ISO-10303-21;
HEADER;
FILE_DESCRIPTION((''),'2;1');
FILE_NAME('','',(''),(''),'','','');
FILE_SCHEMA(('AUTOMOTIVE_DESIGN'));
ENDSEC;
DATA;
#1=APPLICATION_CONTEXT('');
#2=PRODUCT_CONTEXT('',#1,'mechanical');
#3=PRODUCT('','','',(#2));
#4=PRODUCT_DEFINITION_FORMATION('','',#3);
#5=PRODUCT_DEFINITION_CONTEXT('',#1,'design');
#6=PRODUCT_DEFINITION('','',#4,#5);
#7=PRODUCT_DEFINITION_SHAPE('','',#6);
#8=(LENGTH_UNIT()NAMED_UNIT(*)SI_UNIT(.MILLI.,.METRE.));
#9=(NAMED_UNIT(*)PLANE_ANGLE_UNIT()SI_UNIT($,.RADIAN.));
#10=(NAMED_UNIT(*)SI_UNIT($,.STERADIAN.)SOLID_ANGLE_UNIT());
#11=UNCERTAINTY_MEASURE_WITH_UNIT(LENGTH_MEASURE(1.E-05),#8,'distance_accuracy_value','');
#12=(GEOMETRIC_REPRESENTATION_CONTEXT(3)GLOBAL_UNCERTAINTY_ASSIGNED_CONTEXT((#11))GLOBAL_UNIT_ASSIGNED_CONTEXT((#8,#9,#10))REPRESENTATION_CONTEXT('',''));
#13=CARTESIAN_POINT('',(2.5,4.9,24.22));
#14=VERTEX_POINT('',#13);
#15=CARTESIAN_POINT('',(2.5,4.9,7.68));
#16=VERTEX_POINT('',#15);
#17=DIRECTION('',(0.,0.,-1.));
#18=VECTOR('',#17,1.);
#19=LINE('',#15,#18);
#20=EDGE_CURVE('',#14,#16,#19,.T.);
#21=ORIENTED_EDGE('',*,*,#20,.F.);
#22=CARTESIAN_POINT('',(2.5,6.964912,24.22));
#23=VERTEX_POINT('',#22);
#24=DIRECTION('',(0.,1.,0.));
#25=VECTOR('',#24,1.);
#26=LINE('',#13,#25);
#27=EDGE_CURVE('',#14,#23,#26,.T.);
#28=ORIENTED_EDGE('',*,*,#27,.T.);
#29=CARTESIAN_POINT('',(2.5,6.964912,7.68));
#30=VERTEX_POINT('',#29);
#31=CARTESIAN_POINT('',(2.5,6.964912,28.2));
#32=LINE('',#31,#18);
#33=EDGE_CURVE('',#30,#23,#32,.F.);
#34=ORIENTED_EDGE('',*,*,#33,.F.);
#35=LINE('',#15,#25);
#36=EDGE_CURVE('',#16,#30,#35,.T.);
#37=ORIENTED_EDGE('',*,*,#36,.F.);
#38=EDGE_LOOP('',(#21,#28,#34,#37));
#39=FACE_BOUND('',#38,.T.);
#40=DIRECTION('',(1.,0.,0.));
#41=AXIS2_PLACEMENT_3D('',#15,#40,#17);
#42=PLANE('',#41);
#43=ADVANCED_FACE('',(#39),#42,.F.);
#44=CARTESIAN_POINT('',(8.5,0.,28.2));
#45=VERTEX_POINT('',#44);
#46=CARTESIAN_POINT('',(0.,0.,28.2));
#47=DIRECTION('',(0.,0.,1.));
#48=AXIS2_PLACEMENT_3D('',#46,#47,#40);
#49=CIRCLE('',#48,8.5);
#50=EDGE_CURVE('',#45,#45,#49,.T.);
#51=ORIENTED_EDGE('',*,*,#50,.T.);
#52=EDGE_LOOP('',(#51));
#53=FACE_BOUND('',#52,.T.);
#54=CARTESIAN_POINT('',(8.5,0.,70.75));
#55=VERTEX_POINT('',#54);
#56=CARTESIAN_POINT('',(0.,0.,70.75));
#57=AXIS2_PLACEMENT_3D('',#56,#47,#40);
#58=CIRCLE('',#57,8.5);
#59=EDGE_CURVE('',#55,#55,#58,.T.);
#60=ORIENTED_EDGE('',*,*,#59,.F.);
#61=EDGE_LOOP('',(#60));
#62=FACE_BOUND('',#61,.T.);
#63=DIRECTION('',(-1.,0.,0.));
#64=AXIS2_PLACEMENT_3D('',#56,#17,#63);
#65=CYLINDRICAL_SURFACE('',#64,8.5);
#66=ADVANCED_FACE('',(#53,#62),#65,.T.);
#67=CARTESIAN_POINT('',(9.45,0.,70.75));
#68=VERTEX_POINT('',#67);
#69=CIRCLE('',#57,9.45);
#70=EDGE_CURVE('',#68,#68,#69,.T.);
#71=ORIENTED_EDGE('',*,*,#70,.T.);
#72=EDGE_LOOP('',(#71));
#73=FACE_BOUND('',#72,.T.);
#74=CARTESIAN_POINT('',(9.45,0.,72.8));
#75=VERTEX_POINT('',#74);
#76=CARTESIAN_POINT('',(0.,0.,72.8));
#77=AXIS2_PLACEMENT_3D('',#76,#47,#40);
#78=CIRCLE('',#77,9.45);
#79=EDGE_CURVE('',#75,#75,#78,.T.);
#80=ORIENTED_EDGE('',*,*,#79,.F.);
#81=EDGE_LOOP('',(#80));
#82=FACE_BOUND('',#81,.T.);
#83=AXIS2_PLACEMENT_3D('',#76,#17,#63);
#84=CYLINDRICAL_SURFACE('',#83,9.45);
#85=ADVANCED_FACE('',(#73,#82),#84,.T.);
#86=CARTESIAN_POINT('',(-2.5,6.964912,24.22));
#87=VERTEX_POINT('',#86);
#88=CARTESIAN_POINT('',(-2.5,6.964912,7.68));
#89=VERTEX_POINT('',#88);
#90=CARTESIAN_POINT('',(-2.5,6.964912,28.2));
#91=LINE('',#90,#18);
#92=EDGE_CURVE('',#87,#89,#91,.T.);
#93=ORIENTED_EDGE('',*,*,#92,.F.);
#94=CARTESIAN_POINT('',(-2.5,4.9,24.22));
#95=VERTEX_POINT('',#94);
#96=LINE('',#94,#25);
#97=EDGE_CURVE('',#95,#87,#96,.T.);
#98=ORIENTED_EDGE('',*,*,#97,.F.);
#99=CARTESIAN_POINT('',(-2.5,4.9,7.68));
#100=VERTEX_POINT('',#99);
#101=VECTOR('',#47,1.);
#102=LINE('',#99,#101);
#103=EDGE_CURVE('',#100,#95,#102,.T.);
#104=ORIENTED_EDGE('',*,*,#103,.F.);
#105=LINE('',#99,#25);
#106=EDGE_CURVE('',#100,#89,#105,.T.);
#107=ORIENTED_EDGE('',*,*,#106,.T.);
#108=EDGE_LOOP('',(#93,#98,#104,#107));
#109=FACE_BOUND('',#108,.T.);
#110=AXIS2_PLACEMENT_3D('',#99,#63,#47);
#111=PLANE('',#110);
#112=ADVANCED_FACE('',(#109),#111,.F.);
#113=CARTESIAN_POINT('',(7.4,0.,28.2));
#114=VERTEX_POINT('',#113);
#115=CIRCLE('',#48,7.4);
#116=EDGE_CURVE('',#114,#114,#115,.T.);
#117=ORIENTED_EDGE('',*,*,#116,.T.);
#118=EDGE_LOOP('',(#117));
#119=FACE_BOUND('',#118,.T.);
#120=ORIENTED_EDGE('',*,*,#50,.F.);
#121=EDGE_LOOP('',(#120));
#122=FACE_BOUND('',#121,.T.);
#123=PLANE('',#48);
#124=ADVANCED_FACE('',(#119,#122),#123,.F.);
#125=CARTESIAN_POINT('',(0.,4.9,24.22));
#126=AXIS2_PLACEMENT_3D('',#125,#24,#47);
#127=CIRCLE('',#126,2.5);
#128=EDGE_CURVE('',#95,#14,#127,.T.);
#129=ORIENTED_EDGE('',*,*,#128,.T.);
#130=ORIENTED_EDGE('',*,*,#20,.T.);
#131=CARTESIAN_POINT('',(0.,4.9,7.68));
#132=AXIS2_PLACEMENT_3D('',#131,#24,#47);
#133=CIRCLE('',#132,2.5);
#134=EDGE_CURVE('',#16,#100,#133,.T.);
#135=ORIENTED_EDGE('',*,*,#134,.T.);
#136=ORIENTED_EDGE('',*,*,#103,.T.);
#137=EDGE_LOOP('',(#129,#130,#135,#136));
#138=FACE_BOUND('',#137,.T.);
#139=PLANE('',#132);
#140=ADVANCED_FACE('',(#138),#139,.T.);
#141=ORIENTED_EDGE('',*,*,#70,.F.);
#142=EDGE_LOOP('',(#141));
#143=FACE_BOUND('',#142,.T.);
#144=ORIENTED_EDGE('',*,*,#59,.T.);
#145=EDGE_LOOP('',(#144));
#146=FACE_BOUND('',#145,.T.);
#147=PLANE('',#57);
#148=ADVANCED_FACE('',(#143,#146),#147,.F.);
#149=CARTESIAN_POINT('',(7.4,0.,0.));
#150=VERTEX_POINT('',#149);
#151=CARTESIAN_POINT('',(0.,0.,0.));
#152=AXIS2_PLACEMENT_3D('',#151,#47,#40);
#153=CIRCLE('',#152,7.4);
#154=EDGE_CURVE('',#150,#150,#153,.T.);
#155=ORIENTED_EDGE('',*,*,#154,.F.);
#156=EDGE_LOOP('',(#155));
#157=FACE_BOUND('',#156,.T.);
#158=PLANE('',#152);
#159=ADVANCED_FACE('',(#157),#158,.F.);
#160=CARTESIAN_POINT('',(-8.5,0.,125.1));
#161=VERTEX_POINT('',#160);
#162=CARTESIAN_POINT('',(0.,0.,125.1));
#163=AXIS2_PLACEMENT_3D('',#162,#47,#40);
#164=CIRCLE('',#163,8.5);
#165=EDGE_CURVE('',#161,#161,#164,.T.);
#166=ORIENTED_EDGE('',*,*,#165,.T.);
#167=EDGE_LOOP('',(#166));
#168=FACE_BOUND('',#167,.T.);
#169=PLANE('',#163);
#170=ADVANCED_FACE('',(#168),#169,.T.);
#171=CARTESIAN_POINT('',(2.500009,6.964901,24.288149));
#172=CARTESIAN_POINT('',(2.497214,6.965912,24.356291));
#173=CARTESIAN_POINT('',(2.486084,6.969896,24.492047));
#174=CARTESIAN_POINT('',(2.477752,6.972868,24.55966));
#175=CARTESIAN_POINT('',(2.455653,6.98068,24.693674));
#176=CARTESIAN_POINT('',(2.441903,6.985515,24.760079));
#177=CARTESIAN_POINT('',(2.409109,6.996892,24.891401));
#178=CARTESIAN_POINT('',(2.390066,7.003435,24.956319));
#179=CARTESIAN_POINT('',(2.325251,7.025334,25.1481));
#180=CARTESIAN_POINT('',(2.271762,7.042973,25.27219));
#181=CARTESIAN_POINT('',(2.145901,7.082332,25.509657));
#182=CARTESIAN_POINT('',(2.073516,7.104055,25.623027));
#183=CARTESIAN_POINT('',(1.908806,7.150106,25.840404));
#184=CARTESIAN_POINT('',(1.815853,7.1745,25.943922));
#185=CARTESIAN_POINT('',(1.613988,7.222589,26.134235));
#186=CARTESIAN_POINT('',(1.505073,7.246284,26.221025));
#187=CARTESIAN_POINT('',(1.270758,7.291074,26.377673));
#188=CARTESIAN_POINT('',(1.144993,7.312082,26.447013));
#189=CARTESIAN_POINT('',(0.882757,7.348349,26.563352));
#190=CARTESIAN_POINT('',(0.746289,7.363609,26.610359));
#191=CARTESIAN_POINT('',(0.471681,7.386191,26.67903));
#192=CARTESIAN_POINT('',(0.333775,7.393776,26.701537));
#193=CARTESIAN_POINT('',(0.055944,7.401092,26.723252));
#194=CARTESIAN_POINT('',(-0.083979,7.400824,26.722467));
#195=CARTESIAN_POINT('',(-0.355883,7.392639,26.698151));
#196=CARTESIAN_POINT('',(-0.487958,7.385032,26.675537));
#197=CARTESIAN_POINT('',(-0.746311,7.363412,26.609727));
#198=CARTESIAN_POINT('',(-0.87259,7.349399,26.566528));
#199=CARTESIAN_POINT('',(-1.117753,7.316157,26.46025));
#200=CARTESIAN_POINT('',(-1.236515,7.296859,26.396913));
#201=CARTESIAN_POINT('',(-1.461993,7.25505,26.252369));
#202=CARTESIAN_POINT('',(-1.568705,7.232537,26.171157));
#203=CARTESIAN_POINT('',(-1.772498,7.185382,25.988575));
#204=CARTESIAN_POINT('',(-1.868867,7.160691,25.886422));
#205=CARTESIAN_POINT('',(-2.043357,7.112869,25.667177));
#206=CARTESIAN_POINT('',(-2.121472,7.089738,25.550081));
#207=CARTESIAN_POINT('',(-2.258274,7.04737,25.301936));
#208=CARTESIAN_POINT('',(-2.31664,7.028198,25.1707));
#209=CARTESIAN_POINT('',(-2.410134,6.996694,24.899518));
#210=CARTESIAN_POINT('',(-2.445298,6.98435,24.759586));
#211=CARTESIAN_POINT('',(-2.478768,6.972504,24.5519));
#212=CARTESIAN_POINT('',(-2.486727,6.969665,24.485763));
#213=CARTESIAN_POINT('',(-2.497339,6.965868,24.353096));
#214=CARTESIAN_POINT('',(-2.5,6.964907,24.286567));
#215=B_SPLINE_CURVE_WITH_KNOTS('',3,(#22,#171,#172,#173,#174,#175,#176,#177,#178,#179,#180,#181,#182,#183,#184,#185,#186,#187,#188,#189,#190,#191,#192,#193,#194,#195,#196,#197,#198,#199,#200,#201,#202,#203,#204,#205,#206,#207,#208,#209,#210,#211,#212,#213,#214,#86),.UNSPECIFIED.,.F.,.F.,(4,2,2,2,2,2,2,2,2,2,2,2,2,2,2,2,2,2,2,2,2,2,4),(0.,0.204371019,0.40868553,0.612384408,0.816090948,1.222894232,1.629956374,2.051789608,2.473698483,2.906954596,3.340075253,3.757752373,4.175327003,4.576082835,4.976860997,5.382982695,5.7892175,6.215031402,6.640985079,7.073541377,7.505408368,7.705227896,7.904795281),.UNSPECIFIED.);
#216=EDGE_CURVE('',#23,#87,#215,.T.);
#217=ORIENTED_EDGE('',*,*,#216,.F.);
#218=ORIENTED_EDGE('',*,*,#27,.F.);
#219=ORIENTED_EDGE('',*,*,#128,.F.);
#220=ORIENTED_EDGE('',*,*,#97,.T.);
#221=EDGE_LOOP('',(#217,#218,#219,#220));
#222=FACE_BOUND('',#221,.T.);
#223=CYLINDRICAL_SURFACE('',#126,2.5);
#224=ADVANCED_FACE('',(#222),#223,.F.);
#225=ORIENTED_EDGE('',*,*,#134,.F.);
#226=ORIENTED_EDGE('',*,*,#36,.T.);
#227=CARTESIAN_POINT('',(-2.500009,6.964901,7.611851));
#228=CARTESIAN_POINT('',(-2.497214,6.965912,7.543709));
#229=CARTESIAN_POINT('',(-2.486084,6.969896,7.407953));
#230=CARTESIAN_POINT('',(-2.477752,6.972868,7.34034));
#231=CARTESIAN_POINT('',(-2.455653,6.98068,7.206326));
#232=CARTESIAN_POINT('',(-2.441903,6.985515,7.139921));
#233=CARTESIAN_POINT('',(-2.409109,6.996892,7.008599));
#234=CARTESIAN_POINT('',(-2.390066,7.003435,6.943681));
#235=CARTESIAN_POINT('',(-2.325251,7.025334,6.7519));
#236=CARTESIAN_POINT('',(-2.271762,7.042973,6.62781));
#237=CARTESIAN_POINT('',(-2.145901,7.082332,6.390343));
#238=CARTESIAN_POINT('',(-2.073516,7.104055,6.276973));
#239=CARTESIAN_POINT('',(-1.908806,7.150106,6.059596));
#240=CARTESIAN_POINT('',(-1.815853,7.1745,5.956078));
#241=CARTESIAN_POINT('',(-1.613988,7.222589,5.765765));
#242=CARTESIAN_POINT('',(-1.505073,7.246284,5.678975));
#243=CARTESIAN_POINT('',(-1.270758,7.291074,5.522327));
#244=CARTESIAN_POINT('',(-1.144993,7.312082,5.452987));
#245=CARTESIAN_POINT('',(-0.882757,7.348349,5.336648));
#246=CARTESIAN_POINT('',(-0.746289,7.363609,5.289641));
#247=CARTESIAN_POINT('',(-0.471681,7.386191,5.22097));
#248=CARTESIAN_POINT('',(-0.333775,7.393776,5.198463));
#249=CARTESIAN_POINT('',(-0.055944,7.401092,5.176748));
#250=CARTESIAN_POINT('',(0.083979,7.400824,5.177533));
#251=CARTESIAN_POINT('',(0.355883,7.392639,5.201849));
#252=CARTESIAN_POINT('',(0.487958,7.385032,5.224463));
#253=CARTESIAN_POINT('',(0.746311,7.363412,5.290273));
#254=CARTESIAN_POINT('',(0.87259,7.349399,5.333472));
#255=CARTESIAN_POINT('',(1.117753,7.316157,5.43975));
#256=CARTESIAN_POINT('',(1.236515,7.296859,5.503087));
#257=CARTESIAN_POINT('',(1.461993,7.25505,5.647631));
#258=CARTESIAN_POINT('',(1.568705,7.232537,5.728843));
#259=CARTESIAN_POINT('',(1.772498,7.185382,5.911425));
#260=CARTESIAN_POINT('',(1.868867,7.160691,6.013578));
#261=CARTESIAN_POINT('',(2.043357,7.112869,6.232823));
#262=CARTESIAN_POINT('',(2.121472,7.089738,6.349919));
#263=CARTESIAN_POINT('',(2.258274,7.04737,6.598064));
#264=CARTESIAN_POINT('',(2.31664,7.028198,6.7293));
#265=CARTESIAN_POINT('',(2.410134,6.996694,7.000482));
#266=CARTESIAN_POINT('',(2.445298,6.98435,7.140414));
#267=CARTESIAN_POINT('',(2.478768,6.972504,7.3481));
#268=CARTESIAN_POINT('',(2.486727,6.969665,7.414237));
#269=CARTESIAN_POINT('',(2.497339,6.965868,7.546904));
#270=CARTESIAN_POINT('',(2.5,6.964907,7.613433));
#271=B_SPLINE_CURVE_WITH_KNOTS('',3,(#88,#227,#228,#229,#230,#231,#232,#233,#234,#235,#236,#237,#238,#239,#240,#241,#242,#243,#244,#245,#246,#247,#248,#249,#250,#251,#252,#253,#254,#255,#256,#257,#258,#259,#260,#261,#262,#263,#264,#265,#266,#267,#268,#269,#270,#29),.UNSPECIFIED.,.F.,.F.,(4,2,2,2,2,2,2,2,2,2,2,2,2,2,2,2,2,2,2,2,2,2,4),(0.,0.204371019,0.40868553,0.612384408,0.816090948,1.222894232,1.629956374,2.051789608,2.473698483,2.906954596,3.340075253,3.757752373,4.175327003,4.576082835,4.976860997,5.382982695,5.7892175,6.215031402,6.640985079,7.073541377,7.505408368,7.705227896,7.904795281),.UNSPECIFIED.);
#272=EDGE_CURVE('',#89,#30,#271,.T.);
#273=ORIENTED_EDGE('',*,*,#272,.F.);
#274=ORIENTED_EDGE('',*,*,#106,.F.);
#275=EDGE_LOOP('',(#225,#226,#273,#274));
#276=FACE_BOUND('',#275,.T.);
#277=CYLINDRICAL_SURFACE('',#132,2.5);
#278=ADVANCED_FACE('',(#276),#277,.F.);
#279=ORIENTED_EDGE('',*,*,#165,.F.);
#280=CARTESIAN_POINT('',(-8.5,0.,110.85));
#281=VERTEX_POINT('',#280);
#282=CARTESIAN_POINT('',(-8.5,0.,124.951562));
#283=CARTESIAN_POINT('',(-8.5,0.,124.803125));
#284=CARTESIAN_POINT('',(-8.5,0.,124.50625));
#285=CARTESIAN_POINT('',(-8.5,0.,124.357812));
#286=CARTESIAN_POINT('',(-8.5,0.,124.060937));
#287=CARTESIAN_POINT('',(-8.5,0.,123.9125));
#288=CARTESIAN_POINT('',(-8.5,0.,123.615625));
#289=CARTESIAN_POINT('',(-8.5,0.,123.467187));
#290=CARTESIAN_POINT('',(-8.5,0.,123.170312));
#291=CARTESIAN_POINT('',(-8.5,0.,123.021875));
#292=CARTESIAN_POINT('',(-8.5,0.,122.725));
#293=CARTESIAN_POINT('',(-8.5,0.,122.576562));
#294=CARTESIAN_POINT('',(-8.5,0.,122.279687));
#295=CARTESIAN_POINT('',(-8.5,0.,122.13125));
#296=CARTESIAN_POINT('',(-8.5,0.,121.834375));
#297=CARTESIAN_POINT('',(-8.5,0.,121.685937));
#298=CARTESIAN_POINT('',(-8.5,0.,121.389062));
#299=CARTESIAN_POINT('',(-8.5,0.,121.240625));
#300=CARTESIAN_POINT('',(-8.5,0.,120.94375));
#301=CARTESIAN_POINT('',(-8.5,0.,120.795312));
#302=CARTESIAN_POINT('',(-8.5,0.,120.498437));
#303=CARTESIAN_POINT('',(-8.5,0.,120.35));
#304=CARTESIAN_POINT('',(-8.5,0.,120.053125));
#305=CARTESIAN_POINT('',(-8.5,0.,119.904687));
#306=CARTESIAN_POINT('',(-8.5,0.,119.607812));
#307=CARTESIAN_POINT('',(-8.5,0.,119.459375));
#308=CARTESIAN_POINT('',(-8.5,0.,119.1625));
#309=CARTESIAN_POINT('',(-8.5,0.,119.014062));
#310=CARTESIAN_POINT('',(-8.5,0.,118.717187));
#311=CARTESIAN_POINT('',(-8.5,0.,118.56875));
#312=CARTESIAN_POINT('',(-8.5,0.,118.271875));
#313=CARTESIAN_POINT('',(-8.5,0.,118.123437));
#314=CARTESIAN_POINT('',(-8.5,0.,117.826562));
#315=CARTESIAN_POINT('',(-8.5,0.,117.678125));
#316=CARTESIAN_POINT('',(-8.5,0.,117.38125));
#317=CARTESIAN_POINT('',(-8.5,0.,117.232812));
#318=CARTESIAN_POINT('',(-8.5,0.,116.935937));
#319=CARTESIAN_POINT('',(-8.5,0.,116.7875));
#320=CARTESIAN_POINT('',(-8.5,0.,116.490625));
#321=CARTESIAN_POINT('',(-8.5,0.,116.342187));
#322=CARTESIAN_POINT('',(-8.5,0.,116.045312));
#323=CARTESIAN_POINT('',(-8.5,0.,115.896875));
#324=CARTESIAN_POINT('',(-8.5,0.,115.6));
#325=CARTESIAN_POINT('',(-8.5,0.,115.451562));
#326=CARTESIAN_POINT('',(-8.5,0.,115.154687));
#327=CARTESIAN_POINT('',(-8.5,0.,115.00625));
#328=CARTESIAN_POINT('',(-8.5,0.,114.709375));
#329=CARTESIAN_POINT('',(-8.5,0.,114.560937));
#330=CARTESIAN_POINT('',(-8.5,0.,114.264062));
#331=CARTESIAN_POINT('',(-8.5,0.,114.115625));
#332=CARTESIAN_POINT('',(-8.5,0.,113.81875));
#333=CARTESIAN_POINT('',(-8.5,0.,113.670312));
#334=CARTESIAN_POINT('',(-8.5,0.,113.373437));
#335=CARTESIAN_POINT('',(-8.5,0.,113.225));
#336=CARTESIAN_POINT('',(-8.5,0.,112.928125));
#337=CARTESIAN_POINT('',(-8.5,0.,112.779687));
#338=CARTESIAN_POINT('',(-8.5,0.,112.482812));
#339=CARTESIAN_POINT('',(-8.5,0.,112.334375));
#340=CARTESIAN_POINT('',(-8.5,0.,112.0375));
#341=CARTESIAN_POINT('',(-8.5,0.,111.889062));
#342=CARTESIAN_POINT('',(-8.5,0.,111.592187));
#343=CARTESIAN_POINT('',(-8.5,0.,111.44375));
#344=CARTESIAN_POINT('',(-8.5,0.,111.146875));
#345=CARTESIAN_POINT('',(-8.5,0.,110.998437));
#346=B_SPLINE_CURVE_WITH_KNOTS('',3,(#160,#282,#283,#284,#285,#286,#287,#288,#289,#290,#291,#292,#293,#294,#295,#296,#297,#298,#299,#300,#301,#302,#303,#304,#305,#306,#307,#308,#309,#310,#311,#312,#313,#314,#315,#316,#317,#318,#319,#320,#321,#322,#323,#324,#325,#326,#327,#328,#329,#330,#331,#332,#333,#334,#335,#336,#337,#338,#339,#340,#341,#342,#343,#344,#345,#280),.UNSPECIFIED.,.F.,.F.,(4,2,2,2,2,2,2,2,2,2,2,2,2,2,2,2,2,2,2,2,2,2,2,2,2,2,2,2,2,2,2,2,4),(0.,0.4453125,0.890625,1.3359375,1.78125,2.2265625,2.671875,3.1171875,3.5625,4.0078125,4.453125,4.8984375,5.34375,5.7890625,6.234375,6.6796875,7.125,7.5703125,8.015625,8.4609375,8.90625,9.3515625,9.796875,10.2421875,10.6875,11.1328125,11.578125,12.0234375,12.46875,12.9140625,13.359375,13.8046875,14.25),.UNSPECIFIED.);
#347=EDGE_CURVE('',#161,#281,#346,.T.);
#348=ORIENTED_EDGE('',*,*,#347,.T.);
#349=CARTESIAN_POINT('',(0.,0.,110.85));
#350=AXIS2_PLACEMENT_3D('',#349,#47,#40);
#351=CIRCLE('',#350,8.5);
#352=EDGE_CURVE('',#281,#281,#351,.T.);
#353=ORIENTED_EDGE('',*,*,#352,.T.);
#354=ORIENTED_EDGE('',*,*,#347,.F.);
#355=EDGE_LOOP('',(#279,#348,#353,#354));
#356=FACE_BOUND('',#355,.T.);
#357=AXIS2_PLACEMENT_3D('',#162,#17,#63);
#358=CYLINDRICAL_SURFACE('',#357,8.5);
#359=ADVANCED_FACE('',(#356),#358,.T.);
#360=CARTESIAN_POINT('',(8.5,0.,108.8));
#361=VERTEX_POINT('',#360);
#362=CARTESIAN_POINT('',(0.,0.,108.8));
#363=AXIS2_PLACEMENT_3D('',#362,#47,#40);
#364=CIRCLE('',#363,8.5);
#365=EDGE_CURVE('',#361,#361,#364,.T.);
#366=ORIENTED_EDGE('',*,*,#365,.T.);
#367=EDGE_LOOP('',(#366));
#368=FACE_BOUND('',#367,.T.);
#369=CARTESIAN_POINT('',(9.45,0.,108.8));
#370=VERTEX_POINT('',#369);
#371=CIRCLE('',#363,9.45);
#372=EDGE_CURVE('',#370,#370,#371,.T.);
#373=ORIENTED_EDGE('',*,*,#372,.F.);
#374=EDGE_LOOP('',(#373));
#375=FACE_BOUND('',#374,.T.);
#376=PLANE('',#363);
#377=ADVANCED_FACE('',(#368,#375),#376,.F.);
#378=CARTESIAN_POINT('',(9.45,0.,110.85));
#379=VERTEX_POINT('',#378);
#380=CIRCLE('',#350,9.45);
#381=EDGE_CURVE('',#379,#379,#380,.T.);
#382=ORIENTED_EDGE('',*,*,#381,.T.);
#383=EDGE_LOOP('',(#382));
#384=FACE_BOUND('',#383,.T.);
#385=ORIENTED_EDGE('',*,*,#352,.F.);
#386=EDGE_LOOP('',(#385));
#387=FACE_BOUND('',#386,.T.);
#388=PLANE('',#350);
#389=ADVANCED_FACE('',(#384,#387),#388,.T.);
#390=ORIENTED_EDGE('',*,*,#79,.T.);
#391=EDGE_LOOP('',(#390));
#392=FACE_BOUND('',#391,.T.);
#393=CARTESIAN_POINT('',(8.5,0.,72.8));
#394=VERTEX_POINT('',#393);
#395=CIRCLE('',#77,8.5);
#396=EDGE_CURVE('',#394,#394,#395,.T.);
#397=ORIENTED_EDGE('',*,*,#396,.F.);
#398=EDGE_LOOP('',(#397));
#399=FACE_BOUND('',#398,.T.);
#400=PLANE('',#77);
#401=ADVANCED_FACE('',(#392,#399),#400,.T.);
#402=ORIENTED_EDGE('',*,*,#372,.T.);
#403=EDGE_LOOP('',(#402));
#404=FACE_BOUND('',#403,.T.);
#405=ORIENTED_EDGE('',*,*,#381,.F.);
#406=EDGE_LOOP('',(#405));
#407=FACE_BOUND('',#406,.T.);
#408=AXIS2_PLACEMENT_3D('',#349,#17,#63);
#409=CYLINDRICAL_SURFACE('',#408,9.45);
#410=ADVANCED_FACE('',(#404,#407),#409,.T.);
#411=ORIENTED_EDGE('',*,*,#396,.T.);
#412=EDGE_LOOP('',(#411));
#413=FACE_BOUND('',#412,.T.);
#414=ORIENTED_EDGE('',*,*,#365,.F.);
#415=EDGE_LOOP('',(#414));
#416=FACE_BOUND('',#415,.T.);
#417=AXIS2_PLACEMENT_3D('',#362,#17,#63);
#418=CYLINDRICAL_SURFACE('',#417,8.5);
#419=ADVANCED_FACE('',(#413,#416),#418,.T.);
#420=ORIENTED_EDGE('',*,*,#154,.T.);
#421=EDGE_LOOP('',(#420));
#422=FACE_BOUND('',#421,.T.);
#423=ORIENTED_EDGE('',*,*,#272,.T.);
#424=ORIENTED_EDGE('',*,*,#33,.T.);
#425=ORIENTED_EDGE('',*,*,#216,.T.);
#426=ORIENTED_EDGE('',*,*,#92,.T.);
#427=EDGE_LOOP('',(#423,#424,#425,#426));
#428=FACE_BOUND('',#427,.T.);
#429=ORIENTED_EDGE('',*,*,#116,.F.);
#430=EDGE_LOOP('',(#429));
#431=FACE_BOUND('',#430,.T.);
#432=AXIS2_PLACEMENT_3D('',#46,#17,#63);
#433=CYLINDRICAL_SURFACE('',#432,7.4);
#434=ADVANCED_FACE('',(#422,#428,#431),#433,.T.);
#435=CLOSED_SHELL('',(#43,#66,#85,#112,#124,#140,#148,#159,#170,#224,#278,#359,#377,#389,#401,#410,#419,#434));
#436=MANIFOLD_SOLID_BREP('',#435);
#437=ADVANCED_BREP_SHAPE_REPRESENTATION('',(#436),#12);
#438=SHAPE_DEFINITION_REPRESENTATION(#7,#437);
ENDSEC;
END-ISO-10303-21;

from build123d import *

# Parameters (mm, degrees)
SKETCH_1_R          = 7.4
EXTRUDE_1_DEPTH     = 28.2
EXTRUDE_START       = 28.2
SKETCH_1_5_R        = 8.5
EXTRUDE_2_DEPTH     = 42.55
EXTRUDE_START_2     = 70.75
SKETCH_1_7_R        = 9.45
EXTRUDE_3_DEPTH     = 2.05
EXTRUDE_START_3     = 108.8
SKETCH_1_8_R        = 9.45
EXTRUDE_4_DEPTH     = 2.05
EXTRUDE_START_4     = 72.8
SKETCH_1_9_R        = 8.5
EXTRUDE_5_DEPTH     = 36
EXTRUDE_START_5     = 110.85
SKETCH_1_10_R       = 8.5
EXTRUDE_6_DEPTH     = 14.25
CUT_EXTRUDE_START   = 7.4
CUT_EXTRUDE_1_DEPTH = 2.5


with BuildPart() as part:
    # 草图1 → 凸台-拉伸1 (new body)
    with BuildSketch(Plane.XY):
        Circle(SKETCH_1_R)
    extrude(amount=EXTRUDE_1_DEPTH)

    # 草图1<5> → 凸台-拉伸2 (add)
    with BuildSketch(Plane.XY.offset(EXTRUDE_START)):
        Circle(SKETCH_1_5_R)
    extrude(amount=EXTRUDE_2_DEPTH)

    # 草图1<7> → 凸台-拉伸3 (add)
    with BuildSketch(Plane.XY.offset(EXTRUDE_START_2)):
        Circle(SKETCH_1_7_R)
    extrude(amount=EXTRUDE_3_DEPTH)



with BuildPart() as body_2:
    # 草图1<8> → 凸台-拉伸4 (new body)
    with BuildSketch(Plane.XY.offset(EXTRUDE_START_3)):
        Circle(SKETCH_1_8_R)
    extrude(amount=EXTRUDE_4_DEPTH)


with BuildPart() as part_1:
    add(part.part)

    add(body_2.part)  # 凸台-拉伸5 merges body 2
    # 草图1<9> → 凸台-拉伸5 (add)
    with BuildSketch(Plane.XY.offset(EXTRUDE_START_4)):
        Circle(SKETCH_1_9_R)
    extrude(amount=EXTRUDE_5_DEPTH)

    # 草图1<10> → 凸台-拉伸6 (add)
    with BuildSketch(Plane.XY.offset(EXTRUDE_START_5)):
        Circle(SKETCH_1_10_R)
    extrude(amount=EXTRUDE_6_DEPTH)

    # 草图11 → 切除-拉伸1 (cut)
    with BuildSketch(Plane(origin=(0, 0, 0), x_dir=(1, 0, 0), z_dir=(0, 1, 0)).offset(CUT_EXTRUDE_START)):
        with BuildLine():
            Line((2.5, -7.68), (2.5, -24.22))
            ThreePointArc((2.5, -24.22), (0, -26.72), (-2.5, -24.22))
            Line((-2.5, -24.22), (-2.5, -7.68))
            ThreePointArc((-2.5, -7.68), (0, -5.18), (2.5, -7.68))
        make_face()
    extrude(amount=-CUT_EXTRUDE_1_DEPTH, mode=Mode.SUBTRACT)


solid = part_1.part
